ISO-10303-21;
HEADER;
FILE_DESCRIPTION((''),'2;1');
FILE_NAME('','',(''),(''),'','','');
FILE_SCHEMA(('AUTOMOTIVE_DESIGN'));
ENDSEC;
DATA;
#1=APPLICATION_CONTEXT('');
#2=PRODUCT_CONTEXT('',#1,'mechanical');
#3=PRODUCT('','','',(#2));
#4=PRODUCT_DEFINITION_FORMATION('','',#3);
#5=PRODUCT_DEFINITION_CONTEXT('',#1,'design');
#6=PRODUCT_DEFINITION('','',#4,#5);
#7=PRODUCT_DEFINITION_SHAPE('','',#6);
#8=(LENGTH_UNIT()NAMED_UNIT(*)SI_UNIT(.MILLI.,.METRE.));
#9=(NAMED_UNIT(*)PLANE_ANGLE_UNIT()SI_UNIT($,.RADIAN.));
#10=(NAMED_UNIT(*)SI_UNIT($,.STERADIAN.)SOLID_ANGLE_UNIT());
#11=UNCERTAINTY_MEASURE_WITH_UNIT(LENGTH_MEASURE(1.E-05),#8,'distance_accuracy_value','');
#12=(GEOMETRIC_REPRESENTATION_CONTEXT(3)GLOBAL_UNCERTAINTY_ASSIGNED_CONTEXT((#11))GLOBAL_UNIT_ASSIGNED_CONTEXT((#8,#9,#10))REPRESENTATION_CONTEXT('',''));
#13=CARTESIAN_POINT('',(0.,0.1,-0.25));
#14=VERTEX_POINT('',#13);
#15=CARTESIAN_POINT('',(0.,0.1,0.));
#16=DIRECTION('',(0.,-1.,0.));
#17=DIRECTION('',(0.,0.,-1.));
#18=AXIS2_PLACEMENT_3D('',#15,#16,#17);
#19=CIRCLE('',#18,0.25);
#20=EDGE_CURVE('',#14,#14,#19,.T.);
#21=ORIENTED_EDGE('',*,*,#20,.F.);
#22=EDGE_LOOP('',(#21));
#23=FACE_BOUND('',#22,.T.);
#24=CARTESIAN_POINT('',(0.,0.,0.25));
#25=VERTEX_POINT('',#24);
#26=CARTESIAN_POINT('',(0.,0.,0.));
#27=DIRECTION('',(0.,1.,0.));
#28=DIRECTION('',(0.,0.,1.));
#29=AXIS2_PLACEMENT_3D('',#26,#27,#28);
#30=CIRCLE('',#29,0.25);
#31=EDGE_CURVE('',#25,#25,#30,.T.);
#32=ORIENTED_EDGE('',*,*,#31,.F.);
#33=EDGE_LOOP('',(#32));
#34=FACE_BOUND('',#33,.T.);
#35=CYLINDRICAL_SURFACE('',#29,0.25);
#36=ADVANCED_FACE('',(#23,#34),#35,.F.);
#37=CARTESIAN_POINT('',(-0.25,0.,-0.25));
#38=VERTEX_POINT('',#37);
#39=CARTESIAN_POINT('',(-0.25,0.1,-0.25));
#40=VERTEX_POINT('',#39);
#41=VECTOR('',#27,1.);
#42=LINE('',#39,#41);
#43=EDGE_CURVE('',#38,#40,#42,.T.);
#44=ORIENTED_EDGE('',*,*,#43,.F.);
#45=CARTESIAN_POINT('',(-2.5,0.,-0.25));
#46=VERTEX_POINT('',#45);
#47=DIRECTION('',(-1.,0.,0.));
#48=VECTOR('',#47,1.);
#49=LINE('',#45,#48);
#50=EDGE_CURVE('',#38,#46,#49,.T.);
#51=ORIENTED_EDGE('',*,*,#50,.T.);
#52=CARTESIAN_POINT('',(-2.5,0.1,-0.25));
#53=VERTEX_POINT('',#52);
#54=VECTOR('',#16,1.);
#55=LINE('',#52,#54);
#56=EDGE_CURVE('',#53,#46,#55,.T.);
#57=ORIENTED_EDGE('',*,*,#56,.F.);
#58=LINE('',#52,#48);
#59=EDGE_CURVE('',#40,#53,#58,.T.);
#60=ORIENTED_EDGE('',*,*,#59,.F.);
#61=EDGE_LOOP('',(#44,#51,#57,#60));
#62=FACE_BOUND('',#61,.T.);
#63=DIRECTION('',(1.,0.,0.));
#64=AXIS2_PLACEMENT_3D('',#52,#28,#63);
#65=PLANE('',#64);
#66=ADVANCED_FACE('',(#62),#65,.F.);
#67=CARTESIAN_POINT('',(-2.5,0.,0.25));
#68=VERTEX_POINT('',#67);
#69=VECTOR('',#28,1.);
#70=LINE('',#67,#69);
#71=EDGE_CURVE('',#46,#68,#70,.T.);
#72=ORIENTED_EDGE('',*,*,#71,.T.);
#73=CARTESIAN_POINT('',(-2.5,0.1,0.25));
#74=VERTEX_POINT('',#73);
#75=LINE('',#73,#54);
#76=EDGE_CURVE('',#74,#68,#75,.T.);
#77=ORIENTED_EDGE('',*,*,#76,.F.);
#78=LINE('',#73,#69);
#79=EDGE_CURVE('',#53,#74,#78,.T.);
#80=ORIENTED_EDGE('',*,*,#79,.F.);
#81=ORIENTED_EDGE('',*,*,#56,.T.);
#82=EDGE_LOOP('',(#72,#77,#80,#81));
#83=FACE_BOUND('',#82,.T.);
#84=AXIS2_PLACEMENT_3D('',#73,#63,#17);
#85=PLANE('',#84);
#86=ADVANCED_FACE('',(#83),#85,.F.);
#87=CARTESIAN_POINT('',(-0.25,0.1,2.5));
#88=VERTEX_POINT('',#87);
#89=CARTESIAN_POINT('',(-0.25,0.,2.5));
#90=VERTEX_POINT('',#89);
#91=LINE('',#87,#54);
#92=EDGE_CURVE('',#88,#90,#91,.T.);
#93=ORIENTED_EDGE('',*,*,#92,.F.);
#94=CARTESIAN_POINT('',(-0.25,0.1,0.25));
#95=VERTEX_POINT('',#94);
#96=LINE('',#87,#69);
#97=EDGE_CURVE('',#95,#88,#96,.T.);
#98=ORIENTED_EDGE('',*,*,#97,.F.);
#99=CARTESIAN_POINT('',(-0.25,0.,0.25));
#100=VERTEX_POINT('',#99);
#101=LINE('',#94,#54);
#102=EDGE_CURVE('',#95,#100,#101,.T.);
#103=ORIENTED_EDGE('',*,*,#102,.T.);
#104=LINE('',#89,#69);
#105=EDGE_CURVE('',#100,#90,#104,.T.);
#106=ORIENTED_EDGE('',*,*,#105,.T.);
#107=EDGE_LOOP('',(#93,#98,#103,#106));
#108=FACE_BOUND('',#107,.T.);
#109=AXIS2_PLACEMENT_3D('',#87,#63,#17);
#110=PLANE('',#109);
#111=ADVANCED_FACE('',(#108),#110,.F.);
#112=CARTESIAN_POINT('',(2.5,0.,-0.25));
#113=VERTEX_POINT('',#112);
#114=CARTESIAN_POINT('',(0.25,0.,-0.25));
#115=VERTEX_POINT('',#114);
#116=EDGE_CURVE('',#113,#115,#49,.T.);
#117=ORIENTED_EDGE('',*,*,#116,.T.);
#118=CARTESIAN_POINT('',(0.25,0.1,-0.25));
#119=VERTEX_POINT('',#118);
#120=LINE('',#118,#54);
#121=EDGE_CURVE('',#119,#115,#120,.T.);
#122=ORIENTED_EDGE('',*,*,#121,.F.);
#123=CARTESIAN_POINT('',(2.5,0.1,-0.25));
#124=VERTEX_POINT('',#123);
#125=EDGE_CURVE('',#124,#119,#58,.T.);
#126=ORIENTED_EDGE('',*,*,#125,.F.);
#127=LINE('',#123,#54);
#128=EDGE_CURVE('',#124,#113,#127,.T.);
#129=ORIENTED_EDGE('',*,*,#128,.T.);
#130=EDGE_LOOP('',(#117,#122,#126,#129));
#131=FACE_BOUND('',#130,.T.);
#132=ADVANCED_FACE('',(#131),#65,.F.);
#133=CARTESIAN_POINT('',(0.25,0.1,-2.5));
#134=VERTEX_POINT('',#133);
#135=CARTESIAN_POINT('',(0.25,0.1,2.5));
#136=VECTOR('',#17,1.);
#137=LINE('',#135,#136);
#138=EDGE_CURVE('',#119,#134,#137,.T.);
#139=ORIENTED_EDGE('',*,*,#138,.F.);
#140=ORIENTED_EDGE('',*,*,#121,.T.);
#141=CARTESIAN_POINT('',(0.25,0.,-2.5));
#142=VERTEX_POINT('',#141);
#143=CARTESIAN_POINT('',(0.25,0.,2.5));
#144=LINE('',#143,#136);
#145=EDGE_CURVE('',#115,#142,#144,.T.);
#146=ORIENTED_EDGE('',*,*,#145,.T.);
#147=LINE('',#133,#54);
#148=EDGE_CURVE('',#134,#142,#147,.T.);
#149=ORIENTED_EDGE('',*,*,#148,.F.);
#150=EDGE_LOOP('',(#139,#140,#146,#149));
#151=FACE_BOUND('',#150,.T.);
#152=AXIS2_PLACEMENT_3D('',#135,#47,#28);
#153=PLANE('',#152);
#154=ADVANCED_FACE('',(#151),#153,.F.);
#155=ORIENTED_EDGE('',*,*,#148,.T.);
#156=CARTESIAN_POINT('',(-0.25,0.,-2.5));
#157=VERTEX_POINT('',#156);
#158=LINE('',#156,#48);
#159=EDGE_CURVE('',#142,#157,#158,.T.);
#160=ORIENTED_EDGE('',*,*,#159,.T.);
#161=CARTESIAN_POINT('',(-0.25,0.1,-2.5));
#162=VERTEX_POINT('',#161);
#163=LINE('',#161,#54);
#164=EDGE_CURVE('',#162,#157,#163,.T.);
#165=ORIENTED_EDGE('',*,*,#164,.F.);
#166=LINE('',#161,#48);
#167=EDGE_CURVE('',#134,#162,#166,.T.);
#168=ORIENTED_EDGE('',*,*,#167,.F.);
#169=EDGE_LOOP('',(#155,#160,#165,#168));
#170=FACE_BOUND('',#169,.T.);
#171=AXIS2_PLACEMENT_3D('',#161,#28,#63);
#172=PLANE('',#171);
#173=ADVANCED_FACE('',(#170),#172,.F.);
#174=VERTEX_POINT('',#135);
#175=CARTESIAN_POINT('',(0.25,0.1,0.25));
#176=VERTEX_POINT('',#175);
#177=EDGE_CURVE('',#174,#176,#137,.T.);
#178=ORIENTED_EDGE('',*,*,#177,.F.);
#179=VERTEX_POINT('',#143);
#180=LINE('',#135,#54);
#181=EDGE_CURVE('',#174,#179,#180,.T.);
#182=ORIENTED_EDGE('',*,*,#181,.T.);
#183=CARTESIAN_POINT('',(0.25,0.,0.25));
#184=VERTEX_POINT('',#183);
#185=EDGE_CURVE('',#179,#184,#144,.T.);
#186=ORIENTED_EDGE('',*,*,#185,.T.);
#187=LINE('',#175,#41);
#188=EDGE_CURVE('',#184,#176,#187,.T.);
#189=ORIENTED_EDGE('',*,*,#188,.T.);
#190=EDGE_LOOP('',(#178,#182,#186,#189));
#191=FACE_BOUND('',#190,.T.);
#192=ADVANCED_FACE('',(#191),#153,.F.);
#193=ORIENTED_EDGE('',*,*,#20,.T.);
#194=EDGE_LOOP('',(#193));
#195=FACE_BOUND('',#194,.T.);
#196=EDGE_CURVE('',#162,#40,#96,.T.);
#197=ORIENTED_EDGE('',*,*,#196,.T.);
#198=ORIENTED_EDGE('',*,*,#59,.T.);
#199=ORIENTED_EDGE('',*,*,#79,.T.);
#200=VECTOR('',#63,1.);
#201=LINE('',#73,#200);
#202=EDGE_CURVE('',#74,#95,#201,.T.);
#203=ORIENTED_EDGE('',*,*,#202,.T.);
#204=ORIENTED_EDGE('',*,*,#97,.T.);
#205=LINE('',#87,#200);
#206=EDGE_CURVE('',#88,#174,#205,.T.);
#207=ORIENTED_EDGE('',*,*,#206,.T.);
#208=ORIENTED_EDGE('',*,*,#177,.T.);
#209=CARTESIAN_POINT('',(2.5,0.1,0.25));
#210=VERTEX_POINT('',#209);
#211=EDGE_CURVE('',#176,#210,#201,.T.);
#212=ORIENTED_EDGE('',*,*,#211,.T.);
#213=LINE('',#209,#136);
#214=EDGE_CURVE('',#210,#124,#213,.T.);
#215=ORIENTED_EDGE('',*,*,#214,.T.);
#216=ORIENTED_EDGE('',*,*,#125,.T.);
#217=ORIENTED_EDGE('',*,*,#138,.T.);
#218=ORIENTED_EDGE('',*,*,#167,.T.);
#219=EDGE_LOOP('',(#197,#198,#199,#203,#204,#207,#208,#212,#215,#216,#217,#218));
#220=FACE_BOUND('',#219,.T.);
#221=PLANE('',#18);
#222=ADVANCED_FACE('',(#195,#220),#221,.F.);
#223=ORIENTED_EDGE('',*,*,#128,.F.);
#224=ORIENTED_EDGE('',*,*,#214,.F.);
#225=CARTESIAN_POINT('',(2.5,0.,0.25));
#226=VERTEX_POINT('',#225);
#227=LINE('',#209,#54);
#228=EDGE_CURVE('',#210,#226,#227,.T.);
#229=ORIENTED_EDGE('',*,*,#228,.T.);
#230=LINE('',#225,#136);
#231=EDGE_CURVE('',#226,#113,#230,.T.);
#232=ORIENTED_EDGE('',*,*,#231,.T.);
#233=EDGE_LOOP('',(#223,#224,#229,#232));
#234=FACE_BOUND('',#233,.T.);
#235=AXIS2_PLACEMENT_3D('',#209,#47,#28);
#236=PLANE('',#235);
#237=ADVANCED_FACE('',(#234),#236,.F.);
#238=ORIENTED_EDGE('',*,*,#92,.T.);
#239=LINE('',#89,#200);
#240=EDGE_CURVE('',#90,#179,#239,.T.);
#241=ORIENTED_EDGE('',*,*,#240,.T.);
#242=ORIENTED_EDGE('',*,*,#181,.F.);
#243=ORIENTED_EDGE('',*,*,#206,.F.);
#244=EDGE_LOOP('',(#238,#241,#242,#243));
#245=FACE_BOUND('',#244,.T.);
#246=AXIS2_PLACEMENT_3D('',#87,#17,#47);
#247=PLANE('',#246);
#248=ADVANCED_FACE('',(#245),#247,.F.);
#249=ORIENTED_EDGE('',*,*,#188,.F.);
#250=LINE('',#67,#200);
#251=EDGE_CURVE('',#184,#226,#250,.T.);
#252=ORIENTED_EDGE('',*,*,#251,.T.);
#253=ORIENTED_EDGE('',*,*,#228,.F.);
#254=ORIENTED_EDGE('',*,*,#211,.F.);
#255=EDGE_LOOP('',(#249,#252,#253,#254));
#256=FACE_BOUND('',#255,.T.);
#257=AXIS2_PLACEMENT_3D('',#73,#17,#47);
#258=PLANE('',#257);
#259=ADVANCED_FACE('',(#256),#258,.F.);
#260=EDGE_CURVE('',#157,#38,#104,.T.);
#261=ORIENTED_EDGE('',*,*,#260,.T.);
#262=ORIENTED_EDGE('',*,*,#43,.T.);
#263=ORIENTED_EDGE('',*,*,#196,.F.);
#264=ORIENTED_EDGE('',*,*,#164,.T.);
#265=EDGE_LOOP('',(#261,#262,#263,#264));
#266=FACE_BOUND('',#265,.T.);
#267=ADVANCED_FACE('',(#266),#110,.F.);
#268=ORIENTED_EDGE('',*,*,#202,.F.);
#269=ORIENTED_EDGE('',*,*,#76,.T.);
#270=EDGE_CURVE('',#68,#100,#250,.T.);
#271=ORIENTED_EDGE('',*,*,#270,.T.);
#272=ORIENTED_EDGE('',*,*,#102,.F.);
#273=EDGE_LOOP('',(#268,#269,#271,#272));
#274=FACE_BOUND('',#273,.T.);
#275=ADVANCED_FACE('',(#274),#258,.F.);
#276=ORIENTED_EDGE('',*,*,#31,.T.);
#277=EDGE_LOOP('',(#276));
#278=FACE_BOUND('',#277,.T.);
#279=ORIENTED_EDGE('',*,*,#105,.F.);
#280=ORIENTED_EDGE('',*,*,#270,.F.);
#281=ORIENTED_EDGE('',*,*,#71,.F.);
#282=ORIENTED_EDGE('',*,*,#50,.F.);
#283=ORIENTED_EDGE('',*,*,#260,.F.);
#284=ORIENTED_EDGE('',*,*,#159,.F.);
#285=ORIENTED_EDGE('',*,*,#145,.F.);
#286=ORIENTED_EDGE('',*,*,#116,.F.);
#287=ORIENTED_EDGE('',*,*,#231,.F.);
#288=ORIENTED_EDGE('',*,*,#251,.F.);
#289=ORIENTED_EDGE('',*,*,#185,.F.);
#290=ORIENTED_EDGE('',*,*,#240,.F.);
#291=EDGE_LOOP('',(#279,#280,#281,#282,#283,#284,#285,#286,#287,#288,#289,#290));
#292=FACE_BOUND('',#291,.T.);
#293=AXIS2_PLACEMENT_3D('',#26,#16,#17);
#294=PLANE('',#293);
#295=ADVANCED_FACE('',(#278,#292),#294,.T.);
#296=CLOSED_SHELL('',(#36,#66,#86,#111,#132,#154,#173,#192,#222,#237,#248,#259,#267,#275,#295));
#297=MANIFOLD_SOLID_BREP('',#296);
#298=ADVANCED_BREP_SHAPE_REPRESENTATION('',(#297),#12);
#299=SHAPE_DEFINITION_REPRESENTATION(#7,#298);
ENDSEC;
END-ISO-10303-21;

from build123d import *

# Parameters (mm, degrees)
SKETCH1_W               = 5
SKETCH1_H               = 0.5
BOSS_EXTRUDE1_DEPTH     = 0.1
SKETCH2_W               = 0.5
SKETCH2_H               = 5
BOSS_EXTRUDE2_DEPTH     = 0.1
CUT_EXTRUDE1_DEPTH      = 4.536947837
CUT_EXTRUDE1_DEPTH_BACK = 4.536947837
SKETCH3_R               = 0.25


with BuildPart() as part:
    # Sketch1 → Boss-Extrude1 (new body)
    with BuildSketch(Plane(origin=(0, 0, 0), x_dir=(1, 0, 0), z_dir=(0, 1, 0))):
        Rectangle(SKETCH1_W, SKETCH1_H)
    extrude(amount=BOSS_EXTRUDE1_DEPTH)

    # Sketch2 → Boss-Extrude2 (add)
    with BuildSketch(Plane(origin=(0, 0, 0), x_dir=(1, 0, 0), z_dir=(0, 1, 0))):
        Rectangle(SKETCH2_W, SKETCH2_H)
    extrude(amount=BOSS_EXTRUDE2_DEPTH)

    # Sketch3 → Cut-Extrude1 (cut, two sides: drawn at the far end of the back side and taken through both)
    with BuildSketch(Plane(origin=(0, 0.1, 0), x_dir=(1, 0, 0), z_dir=(0, 1, 0)).offset(-CUT_EXTRUDE1_DEPTH_BACK)):
        with Locations(Location((0, 0, 0), (0, 0, 270))):
            Circle(SKETCH3_R)
    extrude(amount=CUT_EXTRUDE1_DEPTH + CUT_EXTRUDE1_DEPTH_BACK, mode=Mode.SUBTRACT)


solid = part.part
